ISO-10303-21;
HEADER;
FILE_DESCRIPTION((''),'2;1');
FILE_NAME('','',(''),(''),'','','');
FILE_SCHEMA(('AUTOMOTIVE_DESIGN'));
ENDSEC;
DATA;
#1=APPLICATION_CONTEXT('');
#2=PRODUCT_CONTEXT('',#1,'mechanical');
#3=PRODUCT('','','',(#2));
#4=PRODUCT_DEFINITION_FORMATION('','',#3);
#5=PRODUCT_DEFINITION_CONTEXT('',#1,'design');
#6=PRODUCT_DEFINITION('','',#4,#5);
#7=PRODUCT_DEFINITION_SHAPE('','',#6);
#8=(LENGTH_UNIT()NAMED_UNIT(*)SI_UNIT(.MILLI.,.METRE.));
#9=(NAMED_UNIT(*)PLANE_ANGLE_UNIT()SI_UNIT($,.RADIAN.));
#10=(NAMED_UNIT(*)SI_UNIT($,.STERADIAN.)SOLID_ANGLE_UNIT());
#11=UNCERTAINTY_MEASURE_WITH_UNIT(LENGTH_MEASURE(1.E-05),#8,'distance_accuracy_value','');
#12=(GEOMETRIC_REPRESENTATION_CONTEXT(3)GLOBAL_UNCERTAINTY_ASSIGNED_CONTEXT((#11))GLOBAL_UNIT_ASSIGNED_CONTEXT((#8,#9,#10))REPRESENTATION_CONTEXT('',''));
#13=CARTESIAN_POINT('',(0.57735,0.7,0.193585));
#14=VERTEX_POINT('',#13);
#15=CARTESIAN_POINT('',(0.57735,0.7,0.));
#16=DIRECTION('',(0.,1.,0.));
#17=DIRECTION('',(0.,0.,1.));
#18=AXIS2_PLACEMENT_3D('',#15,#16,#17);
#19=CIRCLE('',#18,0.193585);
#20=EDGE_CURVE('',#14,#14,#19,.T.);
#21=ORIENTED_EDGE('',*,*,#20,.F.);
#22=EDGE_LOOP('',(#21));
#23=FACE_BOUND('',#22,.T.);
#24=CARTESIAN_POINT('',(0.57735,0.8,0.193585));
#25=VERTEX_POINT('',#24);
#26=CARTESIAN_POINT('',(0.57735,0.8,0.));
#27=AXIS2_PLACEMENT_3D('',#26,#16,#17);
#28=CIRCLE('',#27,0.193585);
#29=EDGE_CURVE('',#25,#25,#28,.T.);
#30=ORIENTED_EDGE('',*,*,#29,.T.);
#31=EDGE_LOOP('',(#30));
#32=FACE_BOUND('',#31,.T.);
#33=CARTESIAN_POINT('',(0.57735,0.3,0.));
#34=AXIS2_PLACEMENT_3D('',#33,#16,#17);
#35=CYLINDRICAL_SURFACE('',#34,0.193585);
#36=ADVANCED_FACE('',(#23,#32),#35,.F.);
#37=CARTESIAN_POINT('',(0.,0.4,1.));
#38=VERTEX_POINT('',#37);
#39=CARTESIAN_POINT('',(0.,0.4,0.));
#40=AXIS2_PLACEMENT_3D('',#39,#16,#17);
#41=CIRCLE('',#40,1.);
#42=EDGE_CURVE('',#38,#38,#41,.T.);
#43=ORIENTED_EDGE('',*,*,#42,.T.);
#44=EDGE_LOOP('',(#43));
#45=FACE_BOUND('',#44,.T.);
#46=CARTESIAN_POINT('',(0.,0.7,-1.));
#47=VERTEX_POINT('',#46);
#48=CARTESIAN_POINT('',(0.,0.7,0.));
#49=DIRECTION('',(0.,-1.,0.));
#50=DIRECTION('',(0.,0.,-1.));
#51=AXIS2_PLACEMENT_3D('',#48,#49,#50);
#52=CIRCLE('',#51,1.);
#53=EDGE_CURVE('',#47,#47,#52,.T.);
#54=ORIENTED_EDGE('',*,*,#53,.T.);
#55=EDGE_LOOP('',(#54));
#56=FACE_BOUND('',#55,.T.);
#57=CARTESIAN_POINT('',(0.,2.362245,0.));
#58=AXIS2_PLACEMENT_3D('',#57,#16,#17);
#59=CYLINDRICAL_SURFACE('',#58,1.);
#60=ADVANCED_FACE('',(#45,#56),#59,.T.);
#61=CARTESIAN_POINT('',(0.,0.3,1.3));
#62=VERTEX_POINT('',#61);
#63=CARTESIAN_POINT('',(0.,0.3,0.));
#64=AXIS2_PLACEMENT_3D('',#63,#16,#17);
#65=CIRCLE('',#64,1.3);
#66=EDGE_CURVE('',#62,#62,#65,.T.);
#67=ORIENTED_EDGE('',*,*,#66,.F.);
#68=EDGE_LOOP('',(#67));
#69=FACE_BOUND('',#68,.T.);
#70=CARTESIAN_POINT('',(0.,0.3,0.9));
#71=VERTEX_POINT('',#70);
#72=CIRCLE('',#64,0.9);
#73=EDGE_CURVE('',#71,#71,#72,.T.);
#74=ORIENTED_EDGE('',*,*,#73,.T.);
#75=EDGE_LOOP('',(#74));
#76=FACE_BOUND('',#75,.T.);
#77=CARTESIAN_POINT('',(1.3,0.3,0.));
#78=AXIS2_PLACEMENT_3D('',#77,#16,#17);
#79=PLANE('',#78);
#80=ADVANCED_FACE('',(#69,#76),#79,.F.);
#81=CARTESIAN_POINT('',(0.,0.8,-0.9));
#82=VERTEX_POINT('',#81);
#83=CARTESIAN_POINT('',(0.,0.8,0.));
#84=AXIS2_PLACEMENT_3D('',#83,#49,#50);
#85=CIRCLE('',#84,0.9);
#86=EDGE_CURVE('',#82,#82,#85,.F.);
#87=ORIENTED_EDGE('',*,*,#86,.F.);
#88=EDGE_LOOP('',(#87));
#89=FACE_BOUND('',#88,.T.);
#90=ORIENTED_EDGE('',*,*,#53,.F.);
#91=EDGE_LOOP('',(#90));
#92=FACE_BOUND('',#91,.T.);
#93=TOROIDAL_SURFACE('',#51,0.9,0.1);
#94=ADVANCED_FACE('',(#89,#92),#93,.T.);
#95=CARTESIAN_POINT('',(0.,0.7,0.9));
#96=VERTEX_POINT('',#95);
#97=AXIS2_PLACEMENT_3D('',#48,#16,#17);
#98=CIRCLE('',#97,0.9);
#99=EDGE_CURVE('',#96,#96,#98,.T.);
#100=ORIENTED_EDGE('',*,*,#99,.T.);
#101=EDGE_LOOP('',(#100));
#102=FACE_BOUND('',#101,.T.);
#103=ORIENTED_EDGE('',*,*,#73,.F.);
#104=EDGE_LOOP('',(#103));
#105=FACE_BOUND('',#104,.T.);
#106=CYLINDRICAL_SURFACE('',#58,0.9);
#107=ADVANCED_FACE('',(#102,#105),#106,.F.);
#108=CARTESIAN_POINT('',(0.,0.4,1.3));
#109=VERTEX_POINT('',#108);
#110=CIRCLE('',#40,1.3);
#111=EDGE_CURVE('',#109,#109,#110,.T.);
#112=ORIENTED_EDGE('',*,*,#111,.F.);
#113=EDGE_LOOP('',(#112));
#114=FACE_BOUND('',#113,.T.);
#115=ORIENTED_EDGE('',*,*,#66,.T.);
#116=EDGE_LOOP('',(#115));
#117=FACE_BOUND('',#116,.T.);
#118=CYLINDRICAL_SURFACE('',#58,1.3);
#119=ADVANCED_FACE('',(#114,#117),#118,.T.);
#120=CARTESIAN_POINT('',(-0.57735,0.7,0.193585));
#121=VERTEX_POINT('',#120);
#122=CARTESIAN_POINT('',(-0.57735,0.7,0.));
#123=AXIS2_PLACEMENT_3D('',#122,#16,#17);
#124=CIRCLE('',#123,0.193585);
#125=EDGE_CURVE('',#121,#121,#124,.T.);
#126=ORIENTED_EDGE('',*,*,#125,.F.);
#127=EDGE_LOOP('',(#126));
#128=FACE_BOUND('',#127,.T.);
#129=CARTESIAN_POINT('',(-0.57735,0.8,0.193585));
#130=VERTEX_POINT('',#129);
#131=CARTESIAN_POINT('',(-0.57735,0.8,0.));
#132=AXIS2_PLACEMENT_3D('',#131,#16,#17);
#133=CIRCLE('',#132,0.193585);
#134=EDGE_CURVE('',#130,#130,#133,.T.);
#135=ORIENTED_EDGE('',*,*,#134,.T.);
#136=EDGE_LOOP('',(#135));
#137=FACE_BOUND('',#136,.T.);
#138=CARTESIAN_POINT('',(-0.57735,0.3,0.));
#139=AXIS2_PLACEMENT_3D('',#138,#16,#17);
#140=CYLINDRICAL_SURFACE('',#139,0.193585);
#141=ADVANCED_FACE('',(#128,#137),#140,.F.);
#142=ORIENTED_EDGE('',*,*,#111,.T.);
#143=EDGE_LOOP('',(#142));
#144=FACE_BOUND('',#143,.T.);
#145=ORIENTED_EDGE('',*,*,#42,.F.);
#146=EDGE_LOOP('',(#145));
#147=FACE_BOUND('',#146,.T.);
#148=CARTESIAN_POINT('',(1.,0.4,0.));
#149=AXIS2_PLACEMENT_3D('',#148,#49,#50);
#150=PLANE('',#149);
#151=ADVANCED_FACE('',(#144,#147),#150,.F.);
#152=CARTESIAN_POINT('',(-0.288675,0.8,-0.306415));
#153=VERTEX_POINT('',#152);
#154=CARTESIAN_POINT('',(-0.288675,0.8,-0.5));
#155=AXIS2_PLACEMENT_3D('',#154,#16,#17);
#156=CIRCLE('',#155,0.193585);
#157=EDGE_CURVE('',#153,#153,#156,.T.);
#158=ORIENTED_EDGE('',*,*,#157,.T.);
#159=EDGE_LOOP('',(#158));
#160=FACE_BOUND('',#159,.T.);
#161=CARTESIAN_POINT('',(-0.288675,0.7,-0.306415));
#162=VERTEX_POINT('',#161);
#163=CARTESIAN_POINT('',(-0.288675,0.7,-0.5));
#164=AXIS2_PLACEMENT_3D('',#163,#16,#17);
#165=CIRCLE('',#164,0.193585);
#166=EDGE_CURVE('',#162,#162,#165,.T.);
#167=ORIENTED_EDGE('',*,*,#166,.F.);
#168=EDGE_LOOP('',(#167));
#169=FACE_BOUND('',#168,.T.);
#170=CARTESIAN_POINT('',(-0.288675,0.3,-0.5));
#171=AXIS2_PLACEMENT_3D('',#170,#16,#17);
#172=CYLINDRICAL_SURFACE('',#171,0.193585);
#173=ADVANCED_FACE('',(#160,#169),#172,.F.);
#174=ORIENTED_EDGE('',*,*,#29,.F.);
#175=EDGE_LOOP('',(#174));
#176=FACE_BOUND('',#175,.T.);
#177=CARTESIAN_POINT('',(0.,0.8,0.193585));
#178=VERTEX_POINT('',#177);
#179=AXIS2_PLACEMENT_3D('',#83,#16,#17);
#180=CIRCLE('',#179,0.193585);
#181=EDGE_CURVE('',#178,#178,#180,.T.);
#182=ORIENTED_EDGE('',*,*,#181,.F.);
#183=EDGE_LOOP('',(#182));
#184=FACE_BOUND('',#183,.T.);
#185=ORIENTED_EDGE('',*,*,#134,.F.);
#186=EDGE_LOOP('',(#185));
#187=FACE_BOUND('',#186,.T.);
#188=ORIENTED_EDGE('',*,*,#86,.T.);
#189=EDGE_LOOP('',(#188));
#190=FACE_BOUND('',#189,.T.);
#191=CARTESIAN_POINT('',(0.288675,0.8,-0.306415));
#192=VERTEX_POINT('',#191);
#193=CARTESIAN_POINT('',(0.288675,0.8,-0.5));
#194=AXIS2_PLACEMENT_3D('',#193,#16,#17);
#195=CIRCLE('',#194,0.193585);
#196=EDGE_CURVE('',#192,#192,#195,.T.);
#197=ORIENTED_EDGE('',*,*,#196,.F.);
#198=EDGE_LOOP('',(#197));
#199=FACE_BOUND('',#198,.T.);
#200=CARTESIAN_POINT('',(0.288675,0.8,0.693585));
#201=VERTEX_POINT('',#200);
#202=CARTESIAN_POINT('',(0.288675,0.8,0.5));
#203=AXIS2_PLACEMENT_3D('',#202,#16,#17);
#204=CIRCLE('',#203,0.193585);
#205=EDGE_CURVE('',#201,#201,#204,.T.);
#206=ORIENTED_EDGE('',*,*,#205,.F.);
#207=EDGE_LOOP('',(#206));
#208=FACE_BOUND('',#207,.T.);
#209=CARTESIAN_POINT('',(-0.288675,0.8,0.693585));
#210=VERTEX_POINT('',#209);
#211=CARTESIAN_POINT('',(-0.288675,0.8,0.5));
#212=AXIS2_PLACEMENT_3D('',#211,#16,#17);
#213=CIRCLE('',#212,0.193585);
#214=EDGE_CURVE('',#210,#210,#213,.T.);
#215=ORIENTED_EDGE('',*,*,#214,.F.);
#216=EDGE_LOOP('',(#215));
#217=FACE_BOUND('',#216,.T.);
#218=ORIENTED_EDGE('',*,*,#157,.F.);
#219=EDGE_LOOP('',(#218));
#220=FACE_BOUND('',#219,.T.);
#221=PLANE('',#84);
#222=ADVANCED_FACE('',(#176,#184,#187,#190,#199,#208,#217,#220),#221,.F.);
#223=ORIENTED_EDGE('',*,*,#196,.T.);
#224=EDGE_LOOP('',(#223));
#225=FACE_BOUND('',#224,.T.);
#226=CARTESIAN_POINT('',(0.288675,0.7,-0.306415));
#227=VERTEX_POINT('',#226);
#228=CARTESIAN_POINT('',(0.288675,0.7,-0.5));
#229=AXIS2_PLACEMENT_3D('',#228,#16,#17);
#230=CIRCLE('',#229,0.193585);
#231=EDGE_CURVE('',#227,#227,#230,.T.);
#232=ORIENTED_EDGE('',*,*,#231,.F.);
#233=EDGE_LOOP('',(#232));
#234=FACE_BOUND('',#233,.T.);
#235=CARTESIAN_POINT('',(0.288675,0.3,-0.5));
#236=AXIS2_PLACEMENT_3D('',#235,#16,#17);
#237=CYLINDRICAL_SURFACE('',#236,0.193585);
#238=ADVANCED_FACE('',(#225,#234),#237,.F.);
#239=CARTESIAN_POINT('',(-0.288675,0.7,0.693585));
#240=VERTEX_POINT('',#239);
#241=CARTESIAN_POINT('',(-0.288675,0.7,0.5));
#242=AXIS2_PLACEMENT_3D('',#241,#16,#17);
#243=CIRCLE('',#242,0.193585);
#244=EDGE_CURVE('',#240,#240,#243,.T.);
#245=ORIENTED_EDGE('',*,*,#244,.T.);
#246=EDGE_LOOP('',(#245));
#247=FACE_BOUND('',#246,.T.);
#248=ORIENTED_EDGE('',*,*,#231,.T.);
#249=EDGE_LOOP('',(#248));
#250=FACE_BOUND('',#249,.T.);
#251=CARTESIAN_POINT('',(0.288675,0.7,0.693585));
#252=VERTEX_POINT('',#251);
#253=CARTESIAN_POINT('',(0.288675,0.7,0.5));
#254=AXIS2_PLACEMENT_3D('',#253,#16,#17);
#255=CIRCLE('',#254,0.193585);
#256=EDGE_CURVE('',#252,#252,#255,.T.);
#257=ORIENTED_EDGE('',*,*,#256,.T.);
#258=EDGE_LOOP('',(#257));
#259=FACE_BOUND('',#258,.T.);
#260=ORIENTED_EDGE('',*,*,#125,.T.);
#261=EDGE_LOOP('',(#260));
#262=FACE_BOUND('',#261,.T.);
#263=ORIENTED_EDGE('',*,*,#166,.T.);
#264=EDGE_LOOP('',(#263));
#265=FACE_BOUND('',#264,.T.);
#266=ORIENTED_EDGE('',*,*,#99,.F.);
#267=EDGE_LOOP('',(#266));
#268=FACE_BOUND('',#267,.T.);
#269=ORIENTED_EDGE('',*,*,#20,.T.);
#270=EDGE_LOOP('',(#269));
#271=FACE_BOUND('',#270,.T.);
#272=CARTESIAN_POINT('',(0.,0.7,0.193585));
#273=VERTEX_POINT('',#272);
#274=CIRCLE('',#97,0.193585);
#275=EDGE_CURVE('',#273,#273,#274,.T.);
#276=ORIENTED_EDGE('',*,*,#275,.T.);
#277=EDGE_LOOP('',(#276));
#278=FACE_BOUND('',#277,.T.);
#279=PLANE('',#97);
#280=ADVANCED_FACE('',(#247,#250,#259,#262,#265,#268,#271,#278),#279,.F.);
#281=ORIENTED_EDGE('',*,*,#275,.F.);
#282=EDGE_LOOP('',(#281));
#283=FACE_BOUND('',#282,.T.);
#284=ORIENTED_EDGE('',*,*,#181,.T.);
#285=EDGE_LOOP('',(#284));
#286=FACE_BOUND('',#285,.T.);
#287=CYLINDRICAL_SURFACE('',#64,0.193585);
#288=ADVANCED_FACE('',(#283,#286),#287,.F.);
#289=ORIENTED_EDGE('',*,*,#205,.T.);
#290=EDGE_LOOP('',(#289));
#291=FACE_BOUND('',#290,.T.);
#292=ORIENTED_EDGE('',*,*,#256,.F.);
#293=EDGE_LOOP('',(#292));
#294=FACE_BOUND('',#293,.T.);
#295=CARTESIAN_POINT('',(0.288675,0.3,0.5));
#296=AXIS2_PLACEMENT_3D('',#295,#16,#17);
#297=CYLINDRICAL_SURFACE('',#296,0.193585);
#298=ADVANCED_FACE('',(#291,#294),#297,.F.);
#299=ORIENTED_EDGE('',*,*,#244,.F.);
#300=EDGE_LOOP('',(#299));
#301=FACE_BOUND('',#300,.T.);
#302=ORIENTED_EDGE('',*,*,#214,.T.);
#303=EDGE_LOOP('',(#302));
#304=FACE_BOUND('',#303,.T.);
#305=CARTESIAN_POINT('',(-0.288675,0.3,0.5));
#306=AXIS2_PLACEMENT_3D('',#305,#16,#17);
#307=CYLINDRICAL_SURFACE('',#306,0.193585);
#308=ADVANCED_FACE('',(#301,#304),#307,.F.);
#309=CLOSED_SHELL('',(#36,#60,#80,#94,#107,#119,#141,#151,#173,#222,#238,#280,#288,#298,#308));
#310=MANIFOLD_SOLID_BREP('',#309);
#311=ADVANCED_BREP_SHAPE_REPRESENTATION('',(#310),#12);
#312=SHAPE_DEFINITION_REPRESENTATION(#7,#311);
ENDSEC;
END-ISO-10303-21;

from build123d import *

# Parameters (mm, degrees)
FILLET_3_R          = 0.1
SKETCH_2_R          = 0.193585201
CUT_EXTRUDE_1_DEPTH = 2.905255888


with BuildPart() as part:
    # 草图1 → 旋转1 (revolve)
    with BuildSketch(Plane.XY, mode=Mode.PRIVATE) as revolve_1_sk:
        Polygon((0, 0.8), (1, 0.8), (1, 0.4), (1.3, 0.4), (1.3, 0.3), (0.9, 0.3), (0.9, 0.7), (0, 0.7), align=None)
    revolve(revolve_1_sk.sketch.rotate(Axis((0, 2.362244898, 0), (0, -1, 0)), 90), axis=Axis((0, 2.362244898, 0), (0, -1, 0)))

    # 圆角3
    fillet_3_edges = [part.edges().sort_by_distance(p)[0] for p in [
        (0, 0.8, -1),
    ]]
    fillet(fillet_3_edges, radius=FILLET_3_R)

    # 草图2 → 切除-拉伸1 (cut, through all)
    with BuildSketch(Plane(origin=(0, 0.8, 0), x_dir=(1, 0, 0), z_dir=(0, 1, 0))):
        with Locations(Location((0, 0, 0), (0, 0, 270))):
            Circle(SKETCH_2_R)
        with Locations(Location((-0.288675135, 0.5, 0), (0, 0, 270))):
            Circle(SKETCH_2_R)
        with Locations(Location((0.288675135, 0.5, 0), (0, 0, 270))):
            Circle(SKETCH_2_R)
        with Locations(Location((0.577350269, 0, 0), (0, 0, 270))):
            Circle(SKETCH_2_R)
        with Locations(Location((0.288675135, -0.5, 0), (0, 0, 270))):
            Circle(SKETCH_2_R)
        with Locations(Location((-0.288675135, -0.5, 0), (0, 0, 270))):
            Circle(SKETCH_2_R)
        with Locations(Location((-0.577350269, 0, 0), (0, 0, 270))):
            Circle(SKETCH_2_R)
    extrude(amount=-CUT_EXTRUDE_1_DEPTH, mode=Mode.SUBTRACT)


solid = part.part
